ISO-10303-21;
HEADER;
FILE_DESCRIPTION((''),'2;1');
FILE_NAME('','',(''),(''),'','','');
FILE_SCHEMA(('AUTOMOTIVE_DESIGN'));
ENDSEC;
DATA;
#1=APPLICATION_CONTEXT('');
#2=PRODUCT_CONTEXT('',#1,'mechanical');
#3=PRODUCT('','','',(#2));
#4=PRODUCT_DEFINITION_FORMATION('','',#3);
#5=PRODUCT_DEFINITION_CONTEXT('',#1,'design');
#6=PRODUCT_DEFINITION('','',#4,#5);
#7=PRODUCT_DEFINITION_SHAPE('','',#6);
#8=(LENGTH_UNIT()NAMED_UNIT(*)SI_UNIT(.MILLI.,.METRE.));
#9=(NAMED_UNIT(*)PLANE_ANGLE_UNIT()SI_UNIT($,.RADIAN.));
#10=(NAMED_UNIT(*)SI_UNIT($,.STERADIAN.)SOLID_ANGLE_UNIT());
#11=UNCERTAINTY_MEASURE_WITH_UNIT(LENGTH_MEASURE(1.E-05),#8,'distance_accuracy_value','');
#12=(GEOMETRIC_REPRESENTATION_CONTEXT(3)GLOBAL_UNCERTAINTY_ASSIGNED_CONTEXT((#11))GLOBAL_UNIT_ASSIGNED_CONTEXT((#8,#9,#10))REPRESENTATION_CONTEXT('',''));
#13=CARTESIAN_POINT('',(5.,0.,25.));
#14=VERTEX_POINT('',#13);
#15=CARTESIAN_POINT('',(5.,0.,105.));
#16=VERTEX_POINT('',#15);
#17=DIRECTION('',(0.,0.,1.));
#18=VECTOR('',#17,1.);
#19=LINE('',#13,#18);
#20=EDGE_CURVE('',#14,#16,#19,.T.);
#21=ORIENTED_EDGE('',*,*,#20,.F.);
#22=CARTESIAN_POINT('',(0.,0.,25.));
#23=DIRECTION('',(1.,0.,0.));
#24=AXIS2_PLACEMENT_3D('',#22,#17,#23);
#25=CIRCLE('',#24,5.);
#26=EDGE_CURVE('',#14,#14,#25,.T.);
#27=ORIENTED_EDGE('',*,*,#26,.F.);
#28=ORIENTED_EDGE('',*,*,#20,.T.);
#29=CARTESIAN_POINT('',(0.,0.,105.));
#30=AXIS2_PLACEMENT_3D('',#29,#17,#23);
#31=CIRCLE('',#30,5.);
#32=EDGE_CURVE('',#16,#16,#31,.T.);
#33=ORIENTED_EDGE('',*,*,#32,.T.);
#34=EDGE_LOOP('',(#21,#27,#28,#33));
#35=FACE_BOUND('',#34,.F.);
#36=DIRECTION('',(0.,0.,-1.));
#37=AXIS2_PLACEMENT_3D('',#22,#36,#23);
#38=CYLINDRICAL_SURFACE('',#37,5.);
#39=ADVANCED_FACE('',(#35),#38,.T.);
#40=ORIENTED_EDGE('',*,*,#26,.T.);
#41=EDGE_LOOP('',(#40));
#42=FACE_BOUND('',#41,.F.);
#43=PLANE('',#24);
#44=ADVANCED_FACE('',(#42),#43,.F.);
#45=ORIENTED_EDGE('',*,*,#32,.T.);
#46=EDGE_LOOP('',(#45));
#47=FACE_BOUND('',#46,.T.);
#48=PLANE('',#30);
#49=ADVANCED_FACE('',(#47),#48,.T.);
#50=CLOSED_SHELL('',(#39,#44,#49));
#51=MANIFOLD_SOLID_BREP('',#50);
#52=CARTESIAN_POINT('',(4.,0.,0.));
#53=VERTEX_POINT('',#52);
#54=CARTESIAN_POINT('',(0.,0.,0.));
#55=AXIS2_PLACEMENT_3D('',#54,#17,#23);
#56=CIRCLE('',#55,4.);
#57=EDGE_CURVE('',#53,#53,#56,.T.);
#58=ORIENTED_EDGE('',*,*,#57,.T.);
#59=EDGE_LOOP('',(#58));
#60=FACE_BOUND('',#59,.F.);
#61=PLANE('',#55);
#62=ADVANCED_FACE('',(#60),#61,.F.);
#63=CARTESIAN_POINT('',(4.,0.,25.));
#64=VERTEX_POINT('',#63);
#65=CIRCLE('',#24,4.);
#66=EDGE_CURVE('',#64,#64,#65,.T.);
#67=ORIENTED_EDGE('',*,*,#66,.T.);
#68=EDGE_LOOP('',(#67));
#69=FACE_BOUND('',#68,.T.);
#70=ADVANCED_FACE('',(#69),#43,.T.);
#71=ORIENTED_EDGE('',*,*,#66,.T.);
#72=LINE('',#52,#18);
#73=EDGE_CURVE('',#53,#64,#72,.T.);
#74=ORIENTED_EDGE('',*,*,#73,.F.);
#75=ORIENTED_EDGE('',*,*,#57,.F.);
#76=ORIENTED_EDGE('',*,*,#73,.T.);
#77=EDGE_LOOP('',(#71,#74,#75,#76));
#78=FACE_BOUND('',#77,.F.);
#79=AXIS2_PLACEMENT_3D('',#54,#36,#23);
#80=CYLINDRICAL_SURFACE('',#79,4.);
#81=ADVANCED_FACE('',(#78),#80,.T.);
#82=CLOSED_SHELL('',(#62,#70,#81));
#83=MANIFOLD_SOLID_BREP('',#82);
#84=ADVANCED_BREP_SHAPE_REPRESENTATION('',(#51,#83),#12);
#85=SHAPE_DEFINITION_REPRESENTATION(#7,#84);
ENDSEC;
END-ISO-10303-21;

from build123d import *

# Parameters (mm, degrees)
CYLINDER_R        = 4
CYLINDER_DEPTH    = 25
CYLINDER001_R     = 5
CYLINDER001_DEPTH = 80


with BuildPart() as peg_in:
    # Cylinder → Cylinder (new body)
    with BuildSketch(Plane.XY):
        Circle(CYLINDER_R)
    extrude(amount=CYLINDER_DEPTH)


with BuildPart() as peg_out:
    # Cylinder001 → Cylinder001 (new body)
    with BuildSketch(Plane.XY.offset(25)):
        Circle(CYLINDER001_R)
    extrude(amount=CYLINDER001_DEPTH)


solid = Compound([peg_in.part, peg_out.part])
